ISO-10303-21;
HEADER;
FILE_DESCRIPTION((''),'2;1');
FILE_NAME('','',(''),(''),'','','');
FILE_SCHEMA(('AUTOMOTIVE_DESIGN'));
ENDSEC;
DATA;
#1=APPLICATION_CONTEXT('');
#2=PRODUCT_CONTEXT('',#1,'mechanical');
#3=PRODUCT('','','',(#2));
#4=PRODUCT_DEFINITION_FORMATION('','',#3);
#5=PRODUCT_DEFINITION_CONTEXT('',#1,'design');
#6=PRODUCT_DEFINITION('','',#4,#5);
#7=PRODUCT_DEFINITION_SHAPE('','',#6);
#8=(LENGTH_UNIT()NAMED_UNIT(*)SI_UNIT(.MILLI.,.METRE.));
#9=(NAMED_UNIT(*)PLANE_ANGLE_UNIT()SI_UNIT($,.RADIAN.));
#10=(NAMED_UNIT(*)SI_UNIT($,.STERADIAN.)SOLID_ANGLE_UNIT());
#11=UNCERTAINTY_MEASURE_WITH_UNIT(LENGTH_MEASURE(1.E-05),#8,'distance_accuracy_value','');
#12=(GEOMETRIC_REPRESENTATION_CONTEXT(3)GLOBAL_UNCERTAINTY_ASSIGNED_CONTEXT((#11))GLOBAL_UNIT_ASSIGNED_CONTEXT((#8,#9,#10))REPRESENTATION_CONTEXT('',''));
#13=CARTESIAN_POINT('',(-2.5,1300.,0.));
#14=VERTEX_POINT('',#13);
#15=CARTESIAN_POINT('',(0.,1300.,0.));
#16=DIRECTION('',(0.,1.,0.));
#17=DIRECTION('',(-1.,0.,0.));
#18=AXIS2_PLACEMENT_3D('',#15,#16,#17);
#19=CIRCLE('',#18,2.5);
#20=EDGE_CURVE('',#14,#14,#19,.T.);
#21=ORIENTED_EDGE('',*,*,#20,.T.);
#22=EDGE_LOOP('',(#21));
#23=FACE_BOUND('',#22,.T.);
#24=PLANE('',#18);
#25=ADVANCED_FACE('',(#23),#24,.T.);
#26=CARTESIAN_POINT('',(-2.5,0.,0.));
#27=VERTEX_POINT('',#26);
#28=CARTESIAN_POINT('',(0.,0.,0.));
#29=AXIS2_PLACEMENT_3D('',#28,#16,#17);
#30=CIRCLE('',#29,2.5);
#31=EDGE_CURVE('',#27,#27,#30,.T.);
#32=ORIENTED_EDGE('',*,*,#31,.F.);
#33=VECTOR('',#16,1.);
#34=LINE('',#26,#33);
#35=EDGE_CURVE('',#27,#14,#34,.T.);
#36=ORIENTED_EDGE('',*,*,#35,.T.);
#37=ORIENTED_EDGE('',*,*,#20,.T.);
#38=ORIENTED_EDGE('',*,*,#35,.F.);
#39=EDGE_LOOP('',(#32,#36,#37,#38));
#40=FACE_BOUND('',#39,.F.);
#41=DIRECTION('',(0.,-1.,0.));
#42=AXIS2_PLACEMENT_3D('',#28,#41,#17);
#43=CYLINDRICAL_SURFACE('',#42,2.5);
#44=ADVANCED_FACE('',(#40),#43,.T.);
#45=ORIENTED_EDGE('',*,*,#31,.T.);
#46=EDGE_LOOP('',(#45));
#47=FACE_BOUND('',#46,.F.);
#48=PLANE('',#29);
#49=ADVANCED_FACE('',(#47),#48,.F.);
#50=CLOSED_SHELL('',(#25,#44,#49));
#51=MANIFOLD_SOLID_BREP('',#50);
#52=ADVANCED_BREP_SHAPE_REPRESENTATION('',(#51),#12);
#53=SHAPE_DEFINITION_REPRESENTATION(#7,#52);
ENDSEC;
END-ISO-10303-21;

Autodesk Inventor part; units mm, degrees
ref_plane "YZ Plane" through (0, 0, 0) normal (1, 0, 0) x (0, 1, 0)
ref_plane "XZ Plane" through (0, 0, 0) normal (0, 1, 0) x (-1, 0, 0)
ref_plane "XY Plane" through (0, 0, 0) normal (0, 0, 1) x (1, 0, 0)
sketch "Sketch1" plane through (0, 0, 0) normal (0, 1, 0) x (-1, 0, 0)
  circle A0 centre (0, 0) radius 2.5
  dimension "d0" = 5
extrude "Extrusion1" add sketch "Sketch1" along normal blind 1300
properties part number "Driveshaft" material "Aluminum 6061"
